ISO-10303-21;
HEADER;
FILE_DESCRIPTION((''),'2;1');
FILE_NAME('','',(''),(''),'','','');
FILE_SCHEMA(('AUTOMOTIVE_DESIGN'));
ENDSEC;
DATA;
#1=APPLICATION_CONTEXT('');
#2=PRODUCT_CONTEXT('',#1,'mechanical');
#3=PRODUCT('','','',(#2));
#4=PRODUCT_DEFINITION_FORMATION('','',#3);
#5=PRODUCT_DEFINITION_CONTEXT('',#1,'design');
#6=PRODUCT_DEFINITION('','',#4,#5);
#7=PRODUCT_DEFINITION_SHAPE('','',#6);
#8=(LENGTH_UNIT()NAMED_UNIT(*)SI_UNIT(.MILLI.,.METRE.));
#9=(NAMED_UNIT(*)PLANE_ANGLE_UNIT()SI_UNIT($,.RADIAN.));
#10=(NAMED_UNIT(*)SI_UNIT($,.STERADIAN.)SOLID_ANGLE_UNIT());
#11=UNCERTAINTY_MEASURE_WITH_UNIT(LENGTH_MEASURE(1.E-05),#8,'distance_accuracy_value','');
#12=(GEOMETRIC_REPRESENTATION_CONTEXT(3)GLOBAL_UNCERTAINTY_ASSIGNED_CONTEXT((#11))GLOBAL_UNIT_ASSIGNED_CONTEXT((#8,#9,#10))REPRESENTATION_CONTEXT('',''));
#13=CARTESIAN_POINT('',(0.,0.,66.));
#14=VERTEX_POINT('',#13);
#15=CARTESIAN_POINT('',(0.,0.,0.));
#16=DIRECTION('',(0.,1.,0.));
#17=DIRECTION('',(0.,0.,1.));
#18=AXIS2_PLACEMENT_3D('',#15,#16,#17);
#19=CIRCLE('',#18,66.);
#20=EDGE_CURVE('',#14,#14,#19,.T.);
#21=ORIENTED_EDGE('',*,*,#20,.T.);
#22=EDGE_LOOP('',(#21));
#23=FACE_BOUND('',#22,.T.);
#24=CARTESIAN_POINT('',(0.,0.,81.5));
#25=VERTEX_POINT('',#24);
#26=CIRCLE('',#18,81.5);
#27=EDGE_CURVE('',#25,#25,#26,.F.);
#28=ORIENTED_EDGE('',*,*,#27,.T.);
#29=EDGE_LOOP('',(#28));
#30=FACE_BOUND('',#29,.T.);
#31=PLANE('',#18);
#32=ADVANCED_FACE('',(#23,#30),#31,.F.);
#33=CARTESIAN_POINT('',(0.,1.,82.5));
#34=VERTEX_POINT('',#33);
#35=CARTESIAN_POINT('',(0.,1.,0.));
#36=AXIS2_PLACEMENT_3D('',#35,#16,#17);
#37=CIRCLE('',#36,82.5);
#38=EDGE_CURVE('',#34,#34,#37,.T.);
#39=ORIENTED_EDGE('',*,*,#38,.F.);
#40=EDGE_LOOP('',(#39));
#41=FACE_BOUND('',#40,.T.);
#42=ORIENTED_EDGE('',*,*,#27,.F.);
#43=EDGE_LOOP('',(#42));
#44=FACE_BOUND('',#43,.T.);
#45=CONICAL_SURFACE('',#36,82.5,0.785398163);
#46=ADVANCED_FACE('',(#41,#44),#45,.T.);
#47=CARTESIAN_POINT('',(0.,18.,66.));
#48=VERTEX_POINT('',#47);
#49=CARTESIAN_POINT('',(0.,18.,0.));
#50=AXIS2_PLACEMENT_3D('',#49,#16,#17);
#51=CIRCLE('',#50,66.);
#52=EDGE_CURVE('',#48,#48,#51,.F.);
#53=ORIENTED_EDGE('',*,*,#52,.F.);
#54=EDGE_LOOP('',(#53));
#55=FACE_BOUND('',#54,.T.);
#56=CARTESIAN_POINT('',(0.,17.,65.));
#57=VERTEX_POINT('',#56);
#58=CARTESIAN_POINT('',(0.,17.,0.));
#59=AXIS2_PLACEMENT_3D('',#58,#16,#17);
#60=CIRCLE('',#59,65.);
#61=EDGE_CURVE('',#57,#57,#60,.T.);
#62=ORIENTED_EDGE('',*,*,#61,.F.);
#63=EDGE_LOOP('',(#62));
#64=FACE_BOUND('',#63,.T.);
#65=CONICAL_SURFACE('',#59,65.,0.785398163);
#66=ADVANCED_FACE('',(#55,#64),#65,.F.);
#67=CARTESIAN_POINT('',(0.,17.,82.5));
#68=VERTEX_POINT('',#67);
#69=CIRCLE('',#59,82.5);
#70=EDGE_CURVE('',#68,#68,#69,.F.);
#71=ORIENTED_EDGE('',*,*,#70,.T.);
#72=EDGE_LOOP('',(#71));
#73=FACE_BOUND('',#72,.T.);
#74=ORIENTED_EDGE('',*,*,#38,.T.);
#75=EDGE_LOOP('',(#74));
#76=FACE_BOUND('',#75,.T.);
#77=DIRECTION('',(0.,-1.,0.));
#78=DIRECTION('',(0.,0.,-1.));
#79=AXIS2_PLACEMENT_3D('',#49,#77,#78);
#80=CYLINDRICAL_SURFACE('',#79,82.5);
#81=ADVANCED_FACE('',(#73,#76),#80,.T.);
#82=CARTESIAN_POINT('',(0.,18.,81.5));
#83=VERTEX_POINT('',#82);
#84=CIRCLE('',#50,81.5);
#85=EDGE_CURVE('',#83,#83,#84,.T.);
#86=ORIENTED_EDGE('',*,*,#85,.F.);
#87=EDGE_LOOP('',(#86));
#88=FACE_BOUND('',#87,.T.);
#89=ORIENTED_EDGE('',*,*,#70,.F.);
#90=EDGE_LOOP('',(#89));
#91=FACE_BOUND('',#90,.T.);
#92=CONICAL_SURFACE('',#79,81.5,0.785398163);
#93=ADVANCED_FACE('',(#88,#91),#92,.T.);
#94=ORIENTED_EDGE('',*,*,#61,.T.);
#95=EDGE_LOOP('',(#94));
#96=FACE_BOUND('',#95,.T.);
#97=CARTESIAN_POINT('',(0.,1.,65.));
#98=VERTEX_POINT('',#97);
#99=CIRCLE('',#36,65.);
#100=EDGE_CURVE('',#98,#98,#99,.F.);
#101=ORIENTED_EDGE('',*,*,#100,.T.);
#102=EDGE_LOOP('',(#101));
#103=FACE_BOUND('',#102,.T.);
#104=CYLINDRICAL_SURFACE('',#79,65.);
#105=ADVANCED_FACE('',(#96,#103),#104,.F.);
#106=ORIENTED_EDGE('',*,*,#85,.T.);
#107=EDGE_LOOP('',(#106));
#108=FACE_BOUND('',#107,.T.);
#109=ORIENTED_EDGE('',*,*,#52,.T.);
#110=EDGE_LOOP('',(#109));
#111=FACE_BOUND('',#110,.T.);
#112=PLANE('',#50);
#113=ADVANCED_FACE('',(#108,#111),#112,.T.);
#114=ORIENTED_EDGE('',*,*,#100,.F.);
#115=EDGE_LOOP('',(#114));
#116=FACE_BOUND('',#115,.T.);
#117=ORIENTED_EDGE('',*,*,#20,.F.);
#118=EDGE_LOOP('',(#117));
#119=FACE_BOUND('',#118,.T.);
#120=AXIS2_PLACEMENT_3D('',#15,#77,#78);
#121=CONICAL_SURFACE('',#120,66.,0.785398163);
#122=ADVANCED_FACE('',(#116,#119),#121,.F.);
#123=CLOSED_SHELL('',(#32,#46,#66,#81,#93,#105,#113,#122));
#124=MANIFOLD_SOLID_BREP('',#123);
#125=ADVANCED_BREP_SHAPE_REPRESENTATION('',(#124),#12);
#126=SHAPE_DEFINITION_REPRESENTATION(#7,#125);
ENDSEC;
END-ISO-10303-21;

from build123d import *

# Parameters (mm, degrees)
SKETCH_1_R      = 82.5
SKETCH_1_R_2    = 65
EXTRUDE_1_DEPTH = 18
CHAMFER_1_SIZE  = 1


with BuildPart() as part:
    # 草图1 → 凸台-拉伸1 (new body)
    with BuildSketch(Plane(origin=(0, 0, 0), x_dir=(1, 0, 0), z_dir=(0, 1, 0))):
        Circle(SKETCH_1_R)
        Circle(SKETCH_1_R_2, mode=Mode.SUBTRACT)
    extrude(amount=EXTRUDE_1_DEPTH)

    # 倒角1
    chamfer_1_edges = [part.edges().sort_by_distance(p)[0] for p in [
        (-82.5, 0, 0),
        (-82.5, 18, 0),
        (-65, 0, 0),
        (-65, 18, 0),
    ]]
    chamfer(chamfer_1_edges, length=CHAMFER_1_SIZE)


solid = part.part
